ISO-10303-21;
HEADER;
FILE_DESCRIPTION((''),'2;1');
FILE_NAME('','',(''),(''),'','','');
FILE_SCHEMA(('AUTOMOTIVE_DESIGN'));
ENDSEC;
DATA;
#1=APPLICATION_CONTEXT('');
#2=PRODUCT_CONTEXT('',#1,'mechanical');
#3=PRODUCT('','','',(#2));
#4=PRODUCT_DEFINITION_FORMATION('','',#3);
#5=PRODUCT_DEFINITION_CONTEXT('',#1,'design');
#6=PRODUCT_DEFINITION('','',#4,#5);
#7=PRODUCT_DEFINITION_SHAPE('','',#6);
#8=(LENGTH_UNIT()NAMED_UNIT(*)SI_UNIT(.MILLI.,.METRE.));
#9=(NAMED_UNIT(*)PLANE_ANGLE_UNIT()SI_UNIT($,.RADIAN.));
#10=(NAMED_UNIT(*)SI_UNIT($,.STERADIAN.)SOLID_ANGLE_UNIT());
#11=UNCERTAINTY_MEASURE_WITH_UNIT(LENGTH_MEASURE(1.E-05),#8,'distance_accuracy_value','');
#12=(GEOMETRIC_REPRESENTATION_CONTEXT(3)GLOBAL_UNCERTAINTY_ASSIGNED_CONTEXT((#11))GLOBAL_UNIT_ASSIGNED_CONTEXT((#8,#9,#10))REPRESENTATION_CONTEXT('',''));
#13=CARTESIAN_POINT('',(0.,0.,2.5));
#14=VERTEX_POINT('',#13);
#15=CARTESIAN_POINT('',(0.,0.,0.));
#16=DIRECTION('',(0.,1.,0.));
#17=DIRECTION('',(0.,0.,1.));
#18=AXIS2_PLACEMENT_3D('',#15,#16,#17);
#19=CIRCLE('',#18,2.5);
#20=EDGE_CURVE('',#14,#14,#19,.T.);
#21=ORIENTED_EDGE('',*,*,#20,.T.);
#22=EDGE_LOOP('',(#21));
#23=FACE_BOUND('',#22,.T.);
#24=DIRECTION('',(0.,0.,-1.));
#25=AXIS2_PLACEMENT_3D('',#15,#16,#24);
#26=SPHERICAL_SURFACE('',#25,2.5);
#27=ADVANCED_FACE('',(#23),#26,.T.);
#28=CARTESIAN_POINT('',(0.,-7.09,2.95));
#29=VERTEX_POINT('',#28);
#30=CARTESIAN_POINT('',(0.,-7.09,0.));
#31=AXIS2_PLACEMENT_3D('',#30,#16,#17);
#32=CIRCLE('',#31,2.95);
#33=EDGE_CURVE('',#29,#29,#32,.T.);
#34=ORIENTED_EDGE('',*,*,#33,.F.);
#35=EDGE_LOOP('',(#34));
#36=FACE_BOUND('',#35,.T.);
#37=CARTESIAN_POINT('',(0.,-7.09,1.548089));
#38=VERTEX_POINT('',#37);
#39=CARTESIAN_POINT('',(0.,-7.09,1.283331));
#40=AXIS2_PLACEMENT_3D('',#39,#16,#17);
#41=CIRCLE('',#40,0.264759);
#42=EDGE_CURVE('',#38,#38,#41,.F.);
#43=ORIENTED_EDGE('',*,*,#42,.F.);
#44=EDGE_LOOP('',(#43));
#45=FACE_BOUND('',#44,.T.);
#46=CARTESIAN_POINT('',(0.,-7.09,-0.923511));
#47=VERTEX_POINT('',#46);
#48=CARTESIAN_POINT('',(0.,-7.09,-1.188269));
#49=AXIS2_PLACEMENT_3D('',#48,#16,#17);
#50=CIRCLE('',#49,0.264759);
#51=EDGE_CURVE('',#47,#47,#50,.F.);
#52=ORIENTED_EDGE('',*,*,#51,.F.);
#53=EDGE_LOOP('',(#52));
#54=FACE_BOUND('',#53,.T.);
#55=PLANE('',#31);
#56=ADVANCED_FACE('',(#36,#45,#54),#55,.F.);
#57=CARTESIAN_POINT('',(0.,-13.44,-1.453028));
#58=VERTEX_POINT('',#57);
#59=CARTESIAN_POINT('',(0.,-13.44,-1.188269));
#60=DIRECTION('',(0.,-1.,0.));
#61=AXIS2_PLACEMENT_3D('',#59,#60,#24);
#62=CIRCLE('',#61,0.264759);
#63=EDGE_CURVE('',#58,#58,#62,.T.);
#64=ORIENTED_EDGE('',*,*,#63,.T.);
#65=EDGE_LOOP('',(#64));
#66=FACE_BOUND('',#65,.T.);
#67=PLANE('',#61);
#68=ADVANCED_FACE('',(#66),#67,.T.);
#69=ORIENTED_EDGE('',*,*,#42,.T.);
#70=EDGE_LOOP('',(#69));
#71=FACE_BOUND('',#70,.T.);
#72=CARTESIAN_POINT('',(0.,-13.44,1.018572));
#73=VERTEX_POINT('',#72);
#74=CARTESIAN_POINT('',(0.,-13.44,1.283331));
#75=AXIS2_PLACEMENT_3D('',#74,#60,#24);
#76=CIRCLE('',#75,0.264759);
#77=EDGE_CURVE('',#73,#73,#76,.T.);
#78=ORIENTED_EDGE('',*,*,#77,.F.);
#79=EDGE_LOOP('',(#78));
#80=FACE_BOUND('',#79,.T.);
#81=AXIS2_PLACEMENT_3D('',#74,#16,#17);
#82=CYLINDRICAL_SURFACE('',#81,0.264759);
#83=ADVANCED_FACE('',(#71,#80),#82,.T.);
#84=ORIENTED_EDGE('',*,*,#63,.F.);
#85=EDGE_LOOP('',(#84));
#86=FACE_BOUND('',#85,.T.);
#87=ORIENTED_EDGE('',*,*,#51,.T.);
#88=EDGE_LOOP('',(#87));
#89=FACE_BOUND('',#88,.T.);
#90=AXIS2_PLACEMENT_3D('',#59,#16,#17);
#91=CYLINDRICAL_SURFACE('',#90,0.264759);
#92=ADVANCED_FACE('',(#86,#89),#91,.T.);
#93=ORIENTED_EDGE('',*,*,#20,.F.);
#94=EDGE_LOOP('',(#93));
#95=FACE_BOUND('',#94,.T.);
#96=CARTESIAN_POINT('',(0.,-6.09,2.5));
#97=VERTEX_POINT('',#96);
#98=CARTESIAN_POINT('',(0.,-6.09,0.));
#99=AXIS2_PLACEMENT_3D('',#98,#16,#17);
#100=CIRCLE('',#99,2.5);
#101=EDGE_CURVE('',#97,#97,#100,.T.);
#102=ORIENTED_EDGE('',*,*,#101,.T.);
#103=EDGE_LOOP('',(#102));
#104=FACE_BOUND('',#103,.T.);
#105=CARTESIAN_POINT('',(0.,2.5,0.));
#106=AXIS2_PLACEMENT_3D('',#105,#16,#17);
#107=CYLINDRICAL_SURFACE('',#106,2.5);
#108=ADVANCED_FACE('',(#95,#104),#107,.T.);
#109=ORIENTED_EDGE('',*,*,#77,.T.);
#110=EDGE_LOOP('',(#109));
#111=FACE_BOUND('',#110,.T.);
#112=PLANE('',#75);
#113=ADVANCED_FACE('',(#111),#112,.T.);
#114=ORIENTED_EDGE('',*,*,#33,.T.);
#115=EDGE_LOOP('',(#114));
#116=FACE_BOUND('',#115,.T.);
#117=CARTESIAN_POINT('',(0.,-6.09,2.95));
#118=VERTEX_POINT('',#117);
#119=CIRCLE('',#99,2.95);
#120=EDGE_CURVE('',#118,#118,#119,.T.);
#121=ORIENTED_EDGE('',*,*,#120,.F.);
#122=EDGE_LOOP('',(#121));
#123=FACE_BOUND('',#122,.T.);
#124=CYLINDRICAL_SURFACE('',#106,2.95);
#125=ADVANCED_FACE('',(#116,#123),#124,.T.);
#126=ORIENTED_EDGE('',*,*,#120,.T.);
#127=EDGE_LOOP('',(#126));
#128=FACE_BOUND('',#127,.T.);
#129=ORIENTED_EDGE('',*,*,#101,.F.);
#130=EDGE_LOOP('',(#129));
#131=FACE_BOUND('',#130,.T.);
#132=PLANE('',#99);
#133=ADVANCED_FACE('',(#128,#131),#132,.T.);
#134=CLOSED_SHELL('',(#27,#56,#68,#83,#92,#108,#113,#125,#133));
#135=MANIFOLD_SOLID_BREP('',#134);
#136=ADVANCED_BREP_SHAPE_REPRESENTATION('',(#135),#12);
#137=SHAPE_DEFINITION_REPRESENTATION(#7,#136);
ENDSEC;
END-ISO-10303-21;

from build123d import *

# Parameters (mm, degrees)
SKETCH2_R           = 0.26475865
BOSS_EXTRUDE1_DEPTH = 6.35


with BuildPart() as part:
    # Sketch1 → Revolve6 (revolve)
    with BuildSketch(Plane(origin=(0, 0, 0), x_dir=(0, 0, -1), z_dir=(1, 0, 0)), mode=Mode.PRIVATE) as revolve6_sk:
        with BuildLine():
            ThreePointArc((2.5, 0), (1.767766953, 1.767766953), (0, 2.5))
            Line((0, 2.5), (0, -7.09))
            Line((0, -7.09), (2.95, -7.09))
            Line((2.95, -7.09), (2.95, -6.09))
            Line((2.95, -6.09), (2.5, -6.09))
            Line((2.5, -6.09), (2.5, 0))
        make_face()
    revolve(revolve6_sk.sketch.rotate(Axis((0, 2.5, 0), (0, -1, 0)), 180), axis=Axis((0, 2.5, 0), (0, -1, 0)))

    # Sketch2 → Boss-Extrude1 (add)
    with BuildSketch(Plane.XZ.offset(7.09)):
        with Locations(Location((0, 1.283330706, 0), (0, 0, 90))):
            Circle(SKETCH2_R)
        with Locations(Location((0, -1.188269173, 0), (0, 0, 90))):
            Circle(SKETCH2_R)
    extrude(amount=BOSS_EXTRUDE1_DEPTH)


solid = part.part
